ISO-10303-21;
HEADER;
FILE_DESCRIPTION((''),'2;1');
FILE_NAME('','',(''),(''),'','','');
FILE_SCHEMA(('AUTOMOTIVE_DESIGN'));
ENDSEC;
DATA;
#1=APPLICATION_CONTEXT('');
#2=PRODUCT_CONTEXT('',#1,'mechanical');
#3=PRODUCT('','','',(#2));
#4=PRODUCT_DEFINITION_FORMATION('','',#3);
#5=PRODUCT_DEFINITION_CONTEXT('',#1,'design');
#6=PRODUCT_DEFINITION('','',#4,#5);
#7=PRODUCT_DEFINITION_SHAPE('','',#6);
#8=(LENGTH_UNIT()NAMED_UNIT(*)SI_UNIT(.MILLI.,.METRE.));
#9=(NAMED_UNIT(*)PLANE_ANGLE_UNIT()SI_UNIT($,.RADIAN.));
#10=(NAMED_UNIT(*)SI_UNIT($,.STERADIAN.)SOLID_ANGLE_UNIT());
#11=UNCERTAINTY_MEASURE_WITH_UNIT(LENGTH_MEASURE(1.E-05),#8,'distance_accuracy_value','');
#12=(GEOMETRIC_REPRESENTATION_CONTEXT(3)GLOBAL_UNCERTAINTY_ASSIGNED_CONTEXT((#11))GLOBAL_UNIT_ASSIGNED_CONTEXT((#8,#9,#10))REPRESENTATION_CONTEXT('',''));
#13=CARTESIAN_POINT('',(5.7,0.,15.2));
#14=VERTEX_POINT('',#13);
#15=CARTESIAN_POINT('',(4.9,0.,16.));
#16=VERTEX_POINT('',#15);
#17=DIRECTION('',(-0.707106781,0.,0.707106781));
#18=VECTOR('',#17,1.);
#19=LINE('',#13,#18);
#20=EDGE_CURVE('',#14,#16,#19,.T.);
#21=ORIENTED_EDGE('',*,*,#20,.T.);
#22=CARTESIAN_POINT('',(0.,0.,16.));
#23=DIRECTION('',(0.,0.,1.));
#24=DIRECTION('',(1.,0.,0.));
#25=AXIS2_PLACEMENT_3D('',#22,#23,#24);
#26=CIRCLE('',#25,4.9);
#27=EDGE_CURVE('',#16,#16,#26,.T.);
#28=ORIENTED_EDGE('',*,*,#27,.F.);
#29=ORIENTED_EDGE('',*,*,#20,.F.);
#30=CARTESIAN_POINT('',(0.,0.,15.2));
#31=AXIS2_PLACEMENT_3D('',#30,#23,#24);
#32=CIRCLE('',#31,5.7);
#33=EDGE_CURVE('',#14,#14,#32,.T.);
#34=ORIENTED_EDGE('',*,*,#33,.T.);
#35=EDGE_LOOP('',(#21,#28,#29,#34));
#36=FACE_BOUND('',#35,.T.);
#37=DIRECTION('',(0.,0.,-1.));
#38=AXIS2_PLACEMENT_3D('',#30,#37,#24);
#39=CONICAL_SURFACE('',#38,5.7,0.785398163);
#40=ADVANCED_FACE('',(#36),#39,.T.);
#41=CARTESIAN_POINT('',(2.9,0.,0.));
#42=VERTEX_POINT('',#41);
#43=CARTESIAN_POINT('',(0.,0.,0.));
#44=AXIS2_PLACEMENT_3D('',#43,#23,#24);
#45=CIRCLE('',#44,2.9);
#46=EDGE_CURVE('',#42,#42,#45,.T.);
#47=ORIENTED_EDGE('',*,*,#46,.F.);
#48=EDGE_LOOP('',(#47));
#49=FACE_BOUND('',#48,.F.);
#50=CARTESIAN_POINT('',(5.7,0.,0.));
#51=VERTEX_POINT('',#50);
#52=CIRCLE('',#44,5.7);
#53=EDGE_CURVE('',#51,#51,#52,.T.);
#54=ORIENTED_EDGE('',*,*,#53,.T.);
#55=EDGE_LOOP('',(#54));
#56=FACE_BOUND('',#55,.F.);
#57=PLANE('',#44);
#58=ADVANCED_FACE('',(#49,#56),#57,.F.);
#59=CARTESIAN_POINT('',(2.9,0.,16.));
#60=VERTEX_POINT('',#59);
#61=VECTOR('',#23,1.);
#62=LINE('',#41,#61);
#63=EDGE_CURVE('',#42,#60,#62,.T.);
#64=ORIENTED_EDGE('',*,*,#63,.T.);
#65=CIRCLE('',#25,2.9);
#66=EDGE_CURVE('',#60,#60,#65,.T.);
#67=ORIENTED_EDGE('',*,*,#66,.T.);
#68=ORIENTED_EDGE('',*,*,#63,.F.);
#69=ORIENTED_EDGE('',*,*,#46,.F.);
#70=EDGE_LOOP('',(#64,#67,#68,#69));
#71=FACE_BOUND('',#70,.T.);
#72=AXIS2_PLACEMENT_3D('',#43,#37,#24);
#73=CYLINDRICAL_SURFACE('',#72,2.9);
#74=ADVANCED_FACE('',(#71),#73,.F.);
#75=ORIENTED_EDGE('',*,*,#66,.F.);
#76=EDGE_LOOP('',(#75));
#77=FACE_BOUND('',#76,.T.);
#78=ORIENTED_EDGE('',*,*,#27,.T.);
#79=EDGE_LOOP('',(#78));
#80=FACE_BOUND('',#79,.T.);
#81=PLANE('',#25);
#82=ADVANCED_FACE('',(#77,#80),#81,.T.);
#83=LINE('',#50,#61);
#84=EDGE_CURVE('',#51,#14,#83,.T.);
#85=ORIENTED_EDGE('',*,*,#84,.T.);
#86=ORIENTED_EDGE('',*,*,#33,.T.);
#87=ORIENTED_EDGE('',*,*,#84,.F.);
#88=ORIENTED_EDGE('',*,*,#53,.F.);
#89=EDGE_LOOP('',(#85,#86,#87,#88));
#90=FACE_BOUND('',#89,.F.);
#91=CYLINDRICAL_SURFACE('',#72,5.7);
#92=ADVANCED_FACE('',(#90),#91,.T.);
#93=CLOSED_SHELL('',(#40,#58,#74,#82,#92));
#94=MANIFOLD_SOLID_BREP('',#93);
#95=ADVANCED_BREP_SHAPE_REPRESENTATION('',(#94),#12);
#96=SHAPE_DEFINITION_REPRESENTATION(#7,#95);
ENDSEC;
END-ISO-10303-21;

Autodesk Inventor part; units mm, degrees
ref_plane "YZ Plane" through (0, 0, 0) normal (1, 0, 0) x (0, 1, 0)
ref_plane "XZ Plane" through (0, 0, 0) normal (0, 1, 0) x (-1, 0, 0)
ref_plane "XY Plane" through (0, 0, 0) normal (0, 0, 1) x (1, 0, 0)
sketch "Sketch1" plane through (0, 0, 0) normal (0, 0, 1) x (1, 0, 0)
  circle A0 centre (0, 0) radius 5.7
  dimension "d0" = 11.4
extrude "Extrusion1" add sketch "Sketch1" along normal blind 16
chamfer "Chamfer1" distance 0.8 angle 45 1 edges at (-5.7, 0, 16)
sketch "Sketch2" plane through (0, 0, 0) normal (0, 0, 1) x (1, 0, 0)
  circle A0 centre (0, 0) radius 2.9
  dimension "d6" = 5.8
extrude "Extrusion2" cut sketch "Sketch2" along normal up to surface (16 mm away)
properties part number "Insert16mm"
